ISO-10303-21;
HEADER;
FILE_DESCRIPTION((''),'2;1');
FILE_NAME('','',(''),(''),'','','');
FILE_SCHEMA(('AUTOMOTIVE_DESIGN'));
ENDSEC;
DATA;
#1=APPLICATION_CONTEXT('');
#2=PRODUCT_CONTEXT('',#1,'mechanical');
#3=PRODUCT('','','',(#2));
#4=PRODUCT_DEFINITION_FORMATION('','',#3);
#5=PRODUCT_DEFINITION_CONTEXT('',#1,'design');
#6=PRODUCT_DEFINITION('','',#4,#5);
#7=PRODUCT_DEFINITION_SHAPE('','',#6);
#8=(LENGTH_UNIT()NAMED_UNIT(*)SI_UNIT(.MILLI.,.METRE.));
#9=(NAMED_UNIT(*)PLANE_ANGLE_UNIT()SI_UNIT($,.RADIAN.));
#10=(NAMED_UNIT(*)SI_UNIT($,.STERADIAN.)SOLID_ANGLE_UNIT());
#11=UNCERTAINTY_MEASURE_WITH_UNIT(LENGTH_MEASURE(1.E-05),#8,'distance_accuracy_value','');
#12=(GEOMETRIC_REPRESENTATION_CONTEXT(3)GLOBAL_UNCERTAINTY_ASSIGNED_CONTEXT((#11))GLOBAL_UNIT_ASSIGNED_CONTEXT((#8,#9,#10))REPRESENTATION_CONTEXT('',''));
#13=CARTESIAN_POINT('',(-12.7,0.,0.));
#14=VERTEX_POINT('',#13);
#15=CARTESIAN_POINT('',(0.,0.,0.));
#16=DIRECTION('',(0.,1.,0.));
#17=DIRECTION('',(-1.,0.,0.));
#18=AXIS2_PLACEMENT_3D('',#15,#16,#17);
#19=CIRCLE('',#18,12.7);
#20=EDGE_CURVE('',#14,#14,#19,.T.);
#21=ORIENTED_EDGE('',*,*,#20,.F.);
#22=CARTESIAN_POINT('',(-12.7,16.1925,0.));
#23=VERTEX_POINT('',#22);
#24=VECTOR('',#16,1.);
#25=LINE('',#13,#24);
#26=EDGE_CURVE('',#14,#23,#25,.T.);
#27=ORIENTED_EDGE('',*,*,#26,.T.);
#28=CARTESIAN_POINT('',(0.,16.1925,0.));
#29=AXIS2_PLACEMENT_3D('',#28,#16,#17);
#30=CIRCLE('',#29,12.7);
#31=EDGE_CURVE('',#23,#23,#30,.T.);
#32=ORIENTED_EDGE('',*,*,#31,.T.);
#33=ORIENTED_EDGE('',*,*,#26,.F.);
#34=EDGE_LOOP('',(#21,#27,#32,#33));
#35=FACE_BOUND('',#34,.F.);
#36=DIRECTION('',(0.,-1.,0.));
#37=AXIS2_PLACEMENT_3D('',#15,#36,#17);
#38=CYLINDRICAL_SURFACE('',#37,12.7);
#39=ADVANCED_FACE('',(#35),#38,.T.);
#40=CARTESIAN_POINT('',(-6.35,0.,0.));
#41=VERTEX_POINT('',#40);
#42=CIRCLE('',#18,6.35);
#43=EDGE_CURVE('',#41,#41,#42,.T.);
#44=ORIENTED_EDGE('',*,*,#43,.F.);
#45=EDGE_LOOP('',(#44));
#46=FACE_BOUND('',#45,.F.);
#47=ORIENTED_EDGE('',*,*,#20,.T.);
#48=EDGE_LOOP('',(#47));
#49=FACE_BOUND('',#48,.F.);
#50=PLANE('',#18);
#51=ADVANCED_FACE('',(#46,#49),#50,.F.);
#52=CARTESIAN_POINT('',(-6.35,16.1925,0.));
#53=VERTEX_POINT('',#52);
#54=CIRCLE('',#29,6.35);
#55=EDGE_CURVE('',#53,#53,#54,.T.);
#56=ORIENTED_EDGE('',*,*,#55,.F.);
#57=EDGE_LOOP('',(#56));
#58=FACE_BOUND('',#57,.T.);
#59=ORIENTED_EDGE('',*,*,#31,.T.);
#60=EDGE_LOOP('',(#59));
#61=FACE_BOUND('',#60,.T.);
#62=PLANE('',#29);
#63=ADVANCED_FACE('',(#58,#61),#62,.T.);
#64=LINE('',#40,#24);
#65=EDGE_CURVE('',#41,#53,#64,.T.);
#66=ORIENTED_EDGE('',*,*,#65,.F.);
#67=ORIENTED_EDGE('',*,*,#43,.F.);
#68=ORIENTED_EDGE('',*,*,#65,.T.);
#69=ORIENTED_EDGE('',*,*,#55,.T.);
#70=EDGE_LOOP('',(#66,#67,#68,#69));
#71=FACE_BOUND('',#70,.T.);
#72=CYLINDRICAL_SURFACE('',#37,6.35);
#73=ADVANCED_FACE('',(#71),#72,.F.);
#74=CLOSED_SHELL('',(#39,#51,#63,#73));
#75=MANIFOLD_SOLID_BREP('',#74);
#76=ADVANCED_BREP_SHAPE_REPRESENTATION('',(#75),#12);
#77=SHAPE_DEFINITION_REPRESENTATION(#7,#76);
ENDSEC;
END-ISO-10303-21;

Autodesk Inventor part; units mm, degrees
ref_plane "YZ Plane" through (0, 0, 0) normal (1, 0, 0) x (0, 1, 0)
ref_plane "XZ Plane" through (0, 0, 0) normal (0, 1, 0) x (-1, 0, 0)
ref_plane "XY Plane" through (0, 0, 0) normal (0, 0, 1) x (1, 0, 0)
sketch "Sketch1" plane through (0, 0, 0) normal (0, 1, 0) x (-1, 0, 0)
  circle A0 centre (0, 0) radius 12.7
  circle A1 centre (0, 0) radius 6.35
  dimension "d0" = 25.4
  dimension "d1" = 12.7
extrude "Extrusion1" add sketch "Sketch1" along normal blind 16.1925
properties part number "mounting disk"
